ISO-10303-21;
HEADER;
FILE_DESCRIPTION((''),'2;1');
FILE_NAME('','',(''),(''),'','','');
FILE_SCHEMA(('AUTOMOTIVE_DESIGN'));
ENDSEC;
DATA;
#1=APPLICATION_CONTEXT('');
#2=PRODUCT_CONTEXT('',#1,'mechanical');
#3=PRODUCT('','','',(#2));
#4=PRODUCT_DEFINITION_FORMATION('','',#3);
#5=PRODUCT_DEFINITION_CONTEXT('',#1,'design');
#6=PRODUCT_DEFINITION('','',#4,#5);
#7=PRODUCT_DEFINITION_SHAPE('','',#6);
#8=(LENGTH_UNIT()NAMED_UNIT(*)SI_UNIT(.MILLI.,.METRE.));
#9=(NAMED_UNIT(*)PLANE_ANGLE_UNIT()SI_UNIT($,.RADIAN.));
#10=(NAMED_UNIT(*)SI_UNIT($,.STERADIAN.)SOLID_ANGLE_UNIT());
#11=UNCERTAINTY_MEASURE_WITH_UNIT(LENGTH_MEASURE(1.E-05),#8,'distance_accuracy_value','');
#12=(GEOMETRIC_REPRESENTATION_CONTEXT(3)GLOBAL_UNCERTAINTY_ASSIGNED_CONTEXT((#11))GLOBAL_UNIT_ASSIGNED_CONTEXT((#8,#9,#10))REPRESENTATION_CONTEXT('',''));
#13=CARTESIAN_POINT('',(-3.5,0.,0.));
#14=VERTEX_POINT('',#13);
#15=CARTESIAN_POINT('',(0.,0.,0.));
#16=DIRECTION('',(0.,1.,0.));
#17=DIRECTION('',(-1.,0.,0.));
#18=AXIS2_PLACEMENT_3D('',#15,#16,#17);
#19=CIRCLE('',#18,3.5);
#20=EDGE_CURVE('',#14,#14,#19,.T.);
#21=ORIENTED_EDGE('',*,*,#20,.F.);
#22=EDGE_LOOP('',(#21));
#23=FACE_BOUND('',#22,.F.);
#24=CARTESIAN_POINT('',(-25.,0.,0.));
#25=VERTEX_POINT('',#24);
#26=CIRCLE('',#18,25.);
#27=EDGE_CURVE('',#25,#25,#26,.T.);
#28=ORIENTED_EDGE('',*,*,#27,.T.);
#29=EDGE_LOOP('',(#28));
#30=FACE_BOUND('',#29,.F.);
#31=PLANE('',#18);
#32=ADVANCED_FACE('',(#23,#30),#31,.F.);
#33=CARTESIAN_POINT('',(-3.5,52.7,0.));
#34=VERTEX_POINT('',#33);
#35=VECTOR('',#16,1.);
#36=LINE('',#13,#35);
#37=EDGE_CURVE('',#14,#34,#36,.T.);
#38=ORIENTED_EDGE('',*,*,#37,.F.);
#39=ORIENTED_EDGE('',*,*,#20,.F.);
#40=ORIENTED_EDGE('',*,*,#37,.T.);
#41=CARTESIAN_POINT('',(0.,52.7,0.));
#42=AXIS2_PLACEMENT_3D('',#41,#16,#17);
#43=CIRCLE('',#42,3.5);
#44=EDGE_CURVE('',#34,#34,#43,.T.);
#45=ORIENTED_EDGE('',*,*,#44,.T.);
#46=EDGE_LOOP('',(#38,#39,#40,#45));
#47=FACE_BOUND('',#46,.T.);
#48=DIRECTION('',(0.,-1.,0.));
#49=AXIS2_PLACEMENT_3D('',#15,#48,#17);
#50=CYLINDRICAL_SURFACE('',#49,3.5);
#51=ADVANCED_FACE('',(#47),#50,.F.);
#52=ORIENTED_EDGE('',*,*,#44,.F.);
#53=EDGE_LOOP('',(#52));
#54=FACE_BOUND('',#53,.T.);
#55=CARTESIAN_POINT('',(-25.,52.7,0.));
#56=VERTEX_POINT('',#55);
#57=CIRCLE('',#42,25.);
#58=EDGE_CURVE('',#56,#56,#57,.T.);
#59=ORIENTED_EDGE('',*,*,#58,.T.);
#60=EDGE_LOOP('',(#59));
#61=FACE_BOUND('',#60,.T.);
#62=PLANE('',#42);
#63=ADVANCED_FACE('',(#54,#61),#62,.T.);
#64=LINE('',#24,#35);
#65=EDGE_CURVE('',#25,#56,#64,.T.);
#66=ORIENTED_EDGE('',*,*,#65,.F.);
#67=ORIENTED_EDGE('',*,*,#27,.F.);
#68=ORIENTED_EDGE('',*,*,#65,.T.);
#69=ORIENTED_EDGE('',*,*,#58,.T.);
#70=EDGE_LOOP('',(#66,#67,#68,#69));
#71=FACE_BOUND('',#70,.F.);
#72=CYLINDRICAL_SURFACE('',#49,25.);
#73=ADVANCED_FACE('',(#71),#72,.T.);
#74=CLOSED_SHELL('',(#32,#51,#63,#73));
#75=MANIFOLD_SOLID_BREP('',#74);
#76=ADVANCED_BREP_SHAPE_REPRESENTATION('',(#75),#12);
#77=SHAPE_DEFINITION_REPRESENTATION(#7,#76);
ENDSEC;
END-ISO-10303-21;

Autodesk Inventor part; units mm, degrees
ref_plane "YZ Plane" through (0, 0, 0) normal (1, 0, 0) x (0, 1, 0)
ref_plane "XZ Plane" through (0, 0, 0) normal (0, 1, 0) x (-1, 0, 0)
ref_plane "XY Plane" through (0, 0, 0) normal (0, 0, 1) x (1, 0, 0)
sketch "Sketch1" plane through (0, 0, 0) normal (0, 1, 0) x (-1, 0, 0)
  circle A0 centre (0, 0) radius 25
  circle A1 centre (0, 0) radius 3.5
  dimension "d0" = 50
  dimension "d1" = 7
extrude "Extrusion1" add sketch "Sketch1" along normal blind 52.7
properties part number "valec"
